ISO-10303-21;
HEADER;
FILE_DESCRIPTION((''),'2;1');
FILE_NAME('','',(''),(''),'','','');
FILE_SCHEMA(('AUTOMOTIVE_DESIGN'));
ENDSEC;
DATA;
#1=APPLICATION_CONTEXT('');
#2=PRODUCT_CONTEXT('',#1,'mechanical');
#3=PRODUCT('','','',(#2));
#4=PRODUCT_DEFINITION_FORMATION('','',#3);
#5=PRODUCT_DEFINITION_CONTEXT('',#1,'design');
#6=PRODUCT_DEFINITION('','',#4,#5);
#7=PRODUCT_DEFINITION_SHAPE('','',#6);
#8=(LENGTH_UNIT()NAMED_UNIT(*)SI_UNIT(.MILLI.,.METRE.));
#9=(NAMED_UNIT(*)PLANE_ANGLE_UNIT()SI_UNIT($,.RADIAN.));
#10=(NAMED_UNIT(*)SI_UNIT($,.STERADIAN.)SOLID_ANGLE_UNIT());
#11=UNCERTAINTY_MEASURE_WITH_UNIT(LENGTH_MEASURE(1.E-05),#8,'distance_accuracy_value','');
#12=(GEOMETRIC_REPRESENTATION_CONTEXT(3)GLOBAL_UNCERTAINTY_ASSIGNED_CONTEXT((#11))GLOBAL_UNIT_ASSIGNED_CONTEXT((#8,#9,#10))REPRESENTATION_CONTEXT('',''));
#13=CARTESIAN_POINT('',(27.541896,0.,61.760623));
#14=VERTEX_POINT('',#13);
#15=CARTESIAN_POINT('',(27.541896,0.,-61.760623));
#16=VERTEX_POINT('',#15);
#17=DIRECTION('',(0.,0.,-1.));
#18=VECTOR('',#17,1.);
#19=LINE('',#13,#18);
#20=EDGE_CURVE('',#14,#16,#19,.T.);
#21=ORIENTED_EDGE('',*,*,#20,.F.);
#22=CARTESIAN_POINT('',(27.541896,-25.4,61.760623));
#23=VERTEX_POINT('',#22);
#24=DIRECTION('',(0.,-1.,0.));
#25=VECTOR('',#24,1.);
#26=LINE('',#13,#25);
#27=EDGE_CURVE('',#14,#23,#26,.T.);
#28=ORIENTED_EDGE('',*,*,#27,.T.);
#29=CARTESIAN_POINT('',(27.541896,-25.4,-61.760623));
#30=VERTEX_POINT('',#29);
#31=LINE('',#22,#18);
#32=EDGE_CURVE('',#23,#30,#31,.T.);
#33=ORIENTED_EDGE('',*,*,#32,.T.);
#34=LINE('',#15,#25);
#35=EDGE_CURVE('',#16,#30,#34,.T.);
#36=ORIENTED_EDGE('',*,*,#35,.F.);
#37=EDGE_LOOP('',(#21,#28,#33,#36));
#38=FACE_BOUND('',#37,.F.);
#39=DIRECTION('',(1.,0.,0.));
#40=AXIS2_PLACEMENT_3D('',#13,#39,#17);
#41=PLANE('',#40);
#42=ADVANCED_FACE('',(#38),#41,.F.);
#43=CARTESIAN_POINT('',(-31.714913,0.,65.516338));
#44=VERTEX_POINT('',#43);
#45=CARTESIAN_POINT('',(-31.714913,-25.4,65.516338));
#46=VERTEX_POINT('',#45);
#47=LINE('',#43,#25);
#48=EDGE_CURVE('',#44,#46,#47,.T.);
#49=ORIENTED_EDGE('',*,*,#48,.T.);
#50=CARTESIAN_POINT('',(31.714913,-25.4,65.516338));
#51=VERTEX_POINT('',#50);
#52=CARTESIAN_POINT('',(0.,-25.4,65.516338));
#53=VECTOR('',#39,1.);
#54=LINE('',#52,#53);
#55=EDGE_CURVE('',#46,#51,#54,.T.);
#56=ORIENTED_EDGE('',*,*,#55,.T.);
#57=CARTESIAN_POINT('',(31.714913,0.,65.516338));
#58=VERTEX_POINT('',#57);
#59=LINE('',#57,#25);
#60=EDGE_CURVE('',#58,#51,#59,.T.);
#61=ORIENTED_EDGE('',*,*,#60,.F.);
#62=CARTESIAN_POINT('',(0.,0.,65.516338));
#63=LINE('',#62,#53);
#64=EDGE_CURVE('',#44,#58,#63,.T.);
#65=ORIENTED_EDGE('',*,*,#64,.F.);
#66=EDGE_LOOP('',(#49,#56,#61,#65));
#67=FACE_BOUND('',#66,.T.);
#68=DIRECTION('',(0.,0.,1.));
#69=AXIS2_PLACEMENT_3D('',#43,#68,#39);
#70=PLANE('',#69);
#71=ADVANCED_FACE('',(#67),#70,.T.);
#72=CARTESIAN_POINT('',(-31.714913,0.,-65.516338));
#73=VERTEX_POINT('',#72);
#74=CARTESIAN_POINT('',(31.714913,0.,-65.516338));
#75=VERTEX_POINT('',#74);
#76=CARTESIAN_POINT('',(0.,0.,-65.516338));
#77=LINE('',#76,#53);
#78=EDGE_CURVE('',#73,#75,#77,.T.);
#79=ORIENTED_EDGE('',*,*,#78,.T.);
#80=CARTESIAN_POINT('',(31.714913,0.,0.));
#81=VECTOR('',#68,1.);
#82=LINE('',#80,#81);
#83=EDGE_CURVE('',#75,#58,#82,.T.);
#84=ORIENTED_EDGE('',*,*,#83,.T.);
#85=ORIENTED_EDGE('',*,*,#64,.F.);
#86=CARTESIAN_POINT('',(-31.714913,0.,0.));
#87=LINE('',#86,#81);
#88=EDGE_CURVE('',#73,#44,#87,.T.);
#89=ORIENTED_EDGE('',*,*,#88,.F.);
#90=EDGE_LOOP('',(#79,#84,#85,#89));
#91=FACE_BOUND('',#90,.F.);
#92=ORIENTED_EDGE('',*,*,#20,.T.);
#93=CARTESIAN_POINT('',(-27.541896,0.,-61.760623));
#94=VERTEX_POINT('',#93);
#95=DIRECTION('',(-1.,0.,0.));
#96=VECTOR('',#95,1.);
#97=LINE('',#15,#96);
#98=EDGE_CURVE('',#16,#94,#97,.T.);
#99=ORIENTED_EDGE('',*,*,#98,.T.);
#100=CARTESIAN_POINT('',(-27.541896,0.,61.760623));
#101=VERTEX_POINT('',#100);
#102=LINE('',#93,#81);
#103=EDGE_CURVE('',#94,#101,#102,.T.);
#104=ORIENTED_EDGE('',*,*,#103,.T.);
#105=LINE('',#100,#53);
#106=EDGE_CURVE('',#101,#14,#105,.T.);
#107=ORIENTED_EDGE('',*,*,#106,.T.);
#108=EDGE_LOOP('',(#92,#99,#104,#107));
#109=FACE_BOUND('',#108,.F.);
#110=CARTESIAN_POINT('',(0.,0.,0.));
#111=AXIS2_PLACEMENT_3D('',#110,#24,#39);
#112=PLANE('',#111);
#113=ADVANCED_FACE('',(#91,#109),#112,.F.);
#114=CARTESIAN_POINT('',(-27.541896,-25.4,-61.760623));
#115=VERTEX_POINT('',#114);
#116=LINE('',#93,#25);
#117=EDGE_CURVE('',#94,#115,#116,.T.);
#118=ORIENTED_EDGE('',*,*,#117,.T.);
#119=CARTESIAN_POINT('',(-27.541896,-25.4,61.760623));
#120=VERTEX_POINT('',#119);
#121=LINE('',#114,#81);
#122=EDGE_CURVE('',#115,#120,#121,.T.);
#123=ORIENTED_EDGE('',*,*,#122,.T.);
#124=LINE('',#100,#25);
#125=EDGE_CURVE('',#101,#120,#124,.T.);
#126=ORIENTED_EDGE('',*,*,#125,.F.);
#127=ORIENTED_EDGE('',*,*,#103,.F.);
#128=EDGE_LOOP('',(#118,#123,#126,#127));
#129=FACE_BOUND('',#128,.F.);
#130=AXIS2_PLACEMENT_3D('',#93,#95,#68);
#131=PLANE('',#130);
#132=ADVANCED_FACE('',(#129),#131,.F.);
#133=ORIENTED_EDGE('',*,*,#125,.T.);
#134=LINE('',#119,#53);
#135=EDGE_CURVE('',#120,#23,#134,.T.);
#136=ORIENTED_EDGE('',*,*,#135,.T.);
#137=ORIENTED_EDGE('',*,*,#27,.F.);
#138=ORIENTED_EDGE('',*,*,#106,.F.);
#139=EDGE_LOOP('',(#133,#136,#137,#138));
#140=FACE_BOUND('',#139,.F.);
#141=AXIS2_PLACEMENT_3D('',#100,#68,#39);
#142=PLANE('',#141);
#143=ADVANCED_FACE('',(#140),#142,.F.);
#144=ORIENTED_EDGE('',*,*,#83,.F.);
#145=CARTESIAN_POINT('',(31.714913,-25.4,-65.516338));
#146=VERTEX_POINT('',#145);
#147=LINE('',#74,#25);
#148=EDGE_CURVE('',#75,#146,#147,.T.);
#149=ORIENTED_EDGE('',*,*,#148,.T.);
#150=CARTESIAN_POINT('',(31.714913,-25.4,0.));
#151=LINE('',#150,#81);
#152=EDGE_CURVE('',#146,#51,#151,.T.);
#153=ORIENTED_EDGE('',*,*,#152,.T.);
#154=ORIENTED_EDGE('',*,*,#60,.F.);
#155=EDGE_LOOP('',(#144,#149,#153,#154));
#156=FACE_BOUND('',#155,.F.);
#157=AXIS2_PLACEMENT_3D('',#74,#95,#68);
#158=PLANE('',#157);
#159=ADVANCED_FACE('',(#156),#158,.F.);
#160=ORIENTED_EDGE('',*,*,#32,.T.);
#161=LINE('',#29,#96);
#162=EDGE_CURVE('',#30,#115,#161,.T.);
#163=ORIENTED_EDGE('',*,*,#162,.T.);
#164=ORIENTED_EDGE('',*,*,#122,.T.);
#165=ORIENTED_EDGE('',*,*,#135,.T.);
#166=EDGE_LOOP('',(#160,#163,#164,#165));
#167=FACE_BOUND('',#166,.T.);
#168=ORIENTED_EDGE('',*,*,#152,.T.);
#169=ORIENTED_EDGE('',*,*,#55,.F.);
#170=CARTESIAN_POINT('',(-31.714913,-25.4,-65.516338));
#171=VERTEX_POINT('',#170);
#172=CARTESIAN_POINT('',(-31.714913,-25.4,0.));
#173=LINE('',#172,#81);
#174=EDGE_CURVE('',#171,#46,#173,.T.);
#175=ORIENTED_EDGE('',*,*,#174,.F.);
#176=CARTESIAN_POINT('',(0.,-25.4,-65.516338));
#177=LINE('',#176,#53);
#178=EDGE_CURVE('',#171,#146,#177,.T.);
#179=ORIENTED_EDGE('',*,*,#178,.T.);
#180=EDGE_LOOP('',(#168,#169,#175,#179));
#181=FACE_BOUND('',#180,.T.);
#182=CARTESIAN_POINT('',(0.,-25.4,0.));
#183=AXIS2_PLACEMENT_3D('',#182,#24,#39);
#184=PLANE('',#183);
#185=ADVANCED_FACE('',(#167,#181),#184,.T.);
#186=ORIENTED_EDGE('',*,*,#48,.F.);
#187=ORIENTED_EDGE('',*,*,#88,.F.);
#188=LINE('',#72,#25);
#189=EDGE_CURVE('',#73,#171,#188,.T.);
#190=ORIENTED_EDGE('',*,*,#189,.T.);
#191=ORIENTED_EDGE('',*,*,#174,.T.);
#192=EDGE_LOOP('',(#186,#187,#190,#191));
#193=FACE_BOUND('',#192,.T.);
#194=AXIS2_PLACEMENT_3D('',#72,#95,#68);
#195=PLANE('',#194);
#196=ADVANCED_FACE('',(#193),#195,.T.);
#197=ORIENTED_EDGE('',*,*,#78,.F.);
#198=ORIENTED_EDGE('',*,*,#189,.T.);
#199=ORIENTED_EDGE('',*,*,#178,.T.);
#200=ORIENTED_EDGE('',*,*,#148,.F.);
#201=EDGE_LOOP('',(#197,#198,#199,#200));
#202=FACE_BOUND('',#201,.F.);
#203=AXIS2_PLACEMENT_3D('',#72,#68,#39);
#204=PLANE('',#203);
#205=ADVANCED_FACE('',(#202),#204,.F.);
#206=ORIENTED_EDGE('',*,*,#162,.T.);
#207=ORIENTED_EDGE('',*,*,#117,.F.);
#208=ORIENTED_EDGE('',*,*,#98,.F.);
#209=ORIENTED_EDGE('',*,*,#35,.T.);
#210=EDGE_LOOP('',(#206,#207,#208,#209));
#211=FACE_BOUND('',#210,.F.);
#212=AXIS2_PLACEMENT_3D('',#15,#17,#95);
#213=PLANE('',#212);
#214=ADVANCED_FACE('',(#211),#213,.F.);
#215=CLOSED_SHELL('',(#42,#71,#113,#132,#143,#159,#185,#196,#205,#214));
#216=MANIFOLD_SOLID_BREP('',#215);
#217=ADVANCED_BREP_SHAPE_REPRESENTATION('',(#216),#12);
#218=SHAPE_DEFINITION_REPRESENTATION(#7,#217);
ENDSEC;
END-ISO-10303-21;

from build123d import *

# Parameters (mm, degrees)
F0_W     = 63.429826
F0_H     = 131.032676
F1_DEPTH = 25.4


with BuildPart() as f1:
    # F0 (on Front) → F1 (new body)
    with BuildSketch(Plane.XZ):
        Rectangle(F0_W, F0_H)
        Polygon((-27.541896, 4.590319), (-27.541896, 61.760623), (27.541896, 61.760623), (27.541896, 4.590319), (27.541896, 0), (27.541896, -61.760623), (-27.541896, -61.760623), (-27.541896, 0), align=None, mode=Mode.SUBTRACT)
    extrude(amount=F1_DEPTH)


solid = f1.part
